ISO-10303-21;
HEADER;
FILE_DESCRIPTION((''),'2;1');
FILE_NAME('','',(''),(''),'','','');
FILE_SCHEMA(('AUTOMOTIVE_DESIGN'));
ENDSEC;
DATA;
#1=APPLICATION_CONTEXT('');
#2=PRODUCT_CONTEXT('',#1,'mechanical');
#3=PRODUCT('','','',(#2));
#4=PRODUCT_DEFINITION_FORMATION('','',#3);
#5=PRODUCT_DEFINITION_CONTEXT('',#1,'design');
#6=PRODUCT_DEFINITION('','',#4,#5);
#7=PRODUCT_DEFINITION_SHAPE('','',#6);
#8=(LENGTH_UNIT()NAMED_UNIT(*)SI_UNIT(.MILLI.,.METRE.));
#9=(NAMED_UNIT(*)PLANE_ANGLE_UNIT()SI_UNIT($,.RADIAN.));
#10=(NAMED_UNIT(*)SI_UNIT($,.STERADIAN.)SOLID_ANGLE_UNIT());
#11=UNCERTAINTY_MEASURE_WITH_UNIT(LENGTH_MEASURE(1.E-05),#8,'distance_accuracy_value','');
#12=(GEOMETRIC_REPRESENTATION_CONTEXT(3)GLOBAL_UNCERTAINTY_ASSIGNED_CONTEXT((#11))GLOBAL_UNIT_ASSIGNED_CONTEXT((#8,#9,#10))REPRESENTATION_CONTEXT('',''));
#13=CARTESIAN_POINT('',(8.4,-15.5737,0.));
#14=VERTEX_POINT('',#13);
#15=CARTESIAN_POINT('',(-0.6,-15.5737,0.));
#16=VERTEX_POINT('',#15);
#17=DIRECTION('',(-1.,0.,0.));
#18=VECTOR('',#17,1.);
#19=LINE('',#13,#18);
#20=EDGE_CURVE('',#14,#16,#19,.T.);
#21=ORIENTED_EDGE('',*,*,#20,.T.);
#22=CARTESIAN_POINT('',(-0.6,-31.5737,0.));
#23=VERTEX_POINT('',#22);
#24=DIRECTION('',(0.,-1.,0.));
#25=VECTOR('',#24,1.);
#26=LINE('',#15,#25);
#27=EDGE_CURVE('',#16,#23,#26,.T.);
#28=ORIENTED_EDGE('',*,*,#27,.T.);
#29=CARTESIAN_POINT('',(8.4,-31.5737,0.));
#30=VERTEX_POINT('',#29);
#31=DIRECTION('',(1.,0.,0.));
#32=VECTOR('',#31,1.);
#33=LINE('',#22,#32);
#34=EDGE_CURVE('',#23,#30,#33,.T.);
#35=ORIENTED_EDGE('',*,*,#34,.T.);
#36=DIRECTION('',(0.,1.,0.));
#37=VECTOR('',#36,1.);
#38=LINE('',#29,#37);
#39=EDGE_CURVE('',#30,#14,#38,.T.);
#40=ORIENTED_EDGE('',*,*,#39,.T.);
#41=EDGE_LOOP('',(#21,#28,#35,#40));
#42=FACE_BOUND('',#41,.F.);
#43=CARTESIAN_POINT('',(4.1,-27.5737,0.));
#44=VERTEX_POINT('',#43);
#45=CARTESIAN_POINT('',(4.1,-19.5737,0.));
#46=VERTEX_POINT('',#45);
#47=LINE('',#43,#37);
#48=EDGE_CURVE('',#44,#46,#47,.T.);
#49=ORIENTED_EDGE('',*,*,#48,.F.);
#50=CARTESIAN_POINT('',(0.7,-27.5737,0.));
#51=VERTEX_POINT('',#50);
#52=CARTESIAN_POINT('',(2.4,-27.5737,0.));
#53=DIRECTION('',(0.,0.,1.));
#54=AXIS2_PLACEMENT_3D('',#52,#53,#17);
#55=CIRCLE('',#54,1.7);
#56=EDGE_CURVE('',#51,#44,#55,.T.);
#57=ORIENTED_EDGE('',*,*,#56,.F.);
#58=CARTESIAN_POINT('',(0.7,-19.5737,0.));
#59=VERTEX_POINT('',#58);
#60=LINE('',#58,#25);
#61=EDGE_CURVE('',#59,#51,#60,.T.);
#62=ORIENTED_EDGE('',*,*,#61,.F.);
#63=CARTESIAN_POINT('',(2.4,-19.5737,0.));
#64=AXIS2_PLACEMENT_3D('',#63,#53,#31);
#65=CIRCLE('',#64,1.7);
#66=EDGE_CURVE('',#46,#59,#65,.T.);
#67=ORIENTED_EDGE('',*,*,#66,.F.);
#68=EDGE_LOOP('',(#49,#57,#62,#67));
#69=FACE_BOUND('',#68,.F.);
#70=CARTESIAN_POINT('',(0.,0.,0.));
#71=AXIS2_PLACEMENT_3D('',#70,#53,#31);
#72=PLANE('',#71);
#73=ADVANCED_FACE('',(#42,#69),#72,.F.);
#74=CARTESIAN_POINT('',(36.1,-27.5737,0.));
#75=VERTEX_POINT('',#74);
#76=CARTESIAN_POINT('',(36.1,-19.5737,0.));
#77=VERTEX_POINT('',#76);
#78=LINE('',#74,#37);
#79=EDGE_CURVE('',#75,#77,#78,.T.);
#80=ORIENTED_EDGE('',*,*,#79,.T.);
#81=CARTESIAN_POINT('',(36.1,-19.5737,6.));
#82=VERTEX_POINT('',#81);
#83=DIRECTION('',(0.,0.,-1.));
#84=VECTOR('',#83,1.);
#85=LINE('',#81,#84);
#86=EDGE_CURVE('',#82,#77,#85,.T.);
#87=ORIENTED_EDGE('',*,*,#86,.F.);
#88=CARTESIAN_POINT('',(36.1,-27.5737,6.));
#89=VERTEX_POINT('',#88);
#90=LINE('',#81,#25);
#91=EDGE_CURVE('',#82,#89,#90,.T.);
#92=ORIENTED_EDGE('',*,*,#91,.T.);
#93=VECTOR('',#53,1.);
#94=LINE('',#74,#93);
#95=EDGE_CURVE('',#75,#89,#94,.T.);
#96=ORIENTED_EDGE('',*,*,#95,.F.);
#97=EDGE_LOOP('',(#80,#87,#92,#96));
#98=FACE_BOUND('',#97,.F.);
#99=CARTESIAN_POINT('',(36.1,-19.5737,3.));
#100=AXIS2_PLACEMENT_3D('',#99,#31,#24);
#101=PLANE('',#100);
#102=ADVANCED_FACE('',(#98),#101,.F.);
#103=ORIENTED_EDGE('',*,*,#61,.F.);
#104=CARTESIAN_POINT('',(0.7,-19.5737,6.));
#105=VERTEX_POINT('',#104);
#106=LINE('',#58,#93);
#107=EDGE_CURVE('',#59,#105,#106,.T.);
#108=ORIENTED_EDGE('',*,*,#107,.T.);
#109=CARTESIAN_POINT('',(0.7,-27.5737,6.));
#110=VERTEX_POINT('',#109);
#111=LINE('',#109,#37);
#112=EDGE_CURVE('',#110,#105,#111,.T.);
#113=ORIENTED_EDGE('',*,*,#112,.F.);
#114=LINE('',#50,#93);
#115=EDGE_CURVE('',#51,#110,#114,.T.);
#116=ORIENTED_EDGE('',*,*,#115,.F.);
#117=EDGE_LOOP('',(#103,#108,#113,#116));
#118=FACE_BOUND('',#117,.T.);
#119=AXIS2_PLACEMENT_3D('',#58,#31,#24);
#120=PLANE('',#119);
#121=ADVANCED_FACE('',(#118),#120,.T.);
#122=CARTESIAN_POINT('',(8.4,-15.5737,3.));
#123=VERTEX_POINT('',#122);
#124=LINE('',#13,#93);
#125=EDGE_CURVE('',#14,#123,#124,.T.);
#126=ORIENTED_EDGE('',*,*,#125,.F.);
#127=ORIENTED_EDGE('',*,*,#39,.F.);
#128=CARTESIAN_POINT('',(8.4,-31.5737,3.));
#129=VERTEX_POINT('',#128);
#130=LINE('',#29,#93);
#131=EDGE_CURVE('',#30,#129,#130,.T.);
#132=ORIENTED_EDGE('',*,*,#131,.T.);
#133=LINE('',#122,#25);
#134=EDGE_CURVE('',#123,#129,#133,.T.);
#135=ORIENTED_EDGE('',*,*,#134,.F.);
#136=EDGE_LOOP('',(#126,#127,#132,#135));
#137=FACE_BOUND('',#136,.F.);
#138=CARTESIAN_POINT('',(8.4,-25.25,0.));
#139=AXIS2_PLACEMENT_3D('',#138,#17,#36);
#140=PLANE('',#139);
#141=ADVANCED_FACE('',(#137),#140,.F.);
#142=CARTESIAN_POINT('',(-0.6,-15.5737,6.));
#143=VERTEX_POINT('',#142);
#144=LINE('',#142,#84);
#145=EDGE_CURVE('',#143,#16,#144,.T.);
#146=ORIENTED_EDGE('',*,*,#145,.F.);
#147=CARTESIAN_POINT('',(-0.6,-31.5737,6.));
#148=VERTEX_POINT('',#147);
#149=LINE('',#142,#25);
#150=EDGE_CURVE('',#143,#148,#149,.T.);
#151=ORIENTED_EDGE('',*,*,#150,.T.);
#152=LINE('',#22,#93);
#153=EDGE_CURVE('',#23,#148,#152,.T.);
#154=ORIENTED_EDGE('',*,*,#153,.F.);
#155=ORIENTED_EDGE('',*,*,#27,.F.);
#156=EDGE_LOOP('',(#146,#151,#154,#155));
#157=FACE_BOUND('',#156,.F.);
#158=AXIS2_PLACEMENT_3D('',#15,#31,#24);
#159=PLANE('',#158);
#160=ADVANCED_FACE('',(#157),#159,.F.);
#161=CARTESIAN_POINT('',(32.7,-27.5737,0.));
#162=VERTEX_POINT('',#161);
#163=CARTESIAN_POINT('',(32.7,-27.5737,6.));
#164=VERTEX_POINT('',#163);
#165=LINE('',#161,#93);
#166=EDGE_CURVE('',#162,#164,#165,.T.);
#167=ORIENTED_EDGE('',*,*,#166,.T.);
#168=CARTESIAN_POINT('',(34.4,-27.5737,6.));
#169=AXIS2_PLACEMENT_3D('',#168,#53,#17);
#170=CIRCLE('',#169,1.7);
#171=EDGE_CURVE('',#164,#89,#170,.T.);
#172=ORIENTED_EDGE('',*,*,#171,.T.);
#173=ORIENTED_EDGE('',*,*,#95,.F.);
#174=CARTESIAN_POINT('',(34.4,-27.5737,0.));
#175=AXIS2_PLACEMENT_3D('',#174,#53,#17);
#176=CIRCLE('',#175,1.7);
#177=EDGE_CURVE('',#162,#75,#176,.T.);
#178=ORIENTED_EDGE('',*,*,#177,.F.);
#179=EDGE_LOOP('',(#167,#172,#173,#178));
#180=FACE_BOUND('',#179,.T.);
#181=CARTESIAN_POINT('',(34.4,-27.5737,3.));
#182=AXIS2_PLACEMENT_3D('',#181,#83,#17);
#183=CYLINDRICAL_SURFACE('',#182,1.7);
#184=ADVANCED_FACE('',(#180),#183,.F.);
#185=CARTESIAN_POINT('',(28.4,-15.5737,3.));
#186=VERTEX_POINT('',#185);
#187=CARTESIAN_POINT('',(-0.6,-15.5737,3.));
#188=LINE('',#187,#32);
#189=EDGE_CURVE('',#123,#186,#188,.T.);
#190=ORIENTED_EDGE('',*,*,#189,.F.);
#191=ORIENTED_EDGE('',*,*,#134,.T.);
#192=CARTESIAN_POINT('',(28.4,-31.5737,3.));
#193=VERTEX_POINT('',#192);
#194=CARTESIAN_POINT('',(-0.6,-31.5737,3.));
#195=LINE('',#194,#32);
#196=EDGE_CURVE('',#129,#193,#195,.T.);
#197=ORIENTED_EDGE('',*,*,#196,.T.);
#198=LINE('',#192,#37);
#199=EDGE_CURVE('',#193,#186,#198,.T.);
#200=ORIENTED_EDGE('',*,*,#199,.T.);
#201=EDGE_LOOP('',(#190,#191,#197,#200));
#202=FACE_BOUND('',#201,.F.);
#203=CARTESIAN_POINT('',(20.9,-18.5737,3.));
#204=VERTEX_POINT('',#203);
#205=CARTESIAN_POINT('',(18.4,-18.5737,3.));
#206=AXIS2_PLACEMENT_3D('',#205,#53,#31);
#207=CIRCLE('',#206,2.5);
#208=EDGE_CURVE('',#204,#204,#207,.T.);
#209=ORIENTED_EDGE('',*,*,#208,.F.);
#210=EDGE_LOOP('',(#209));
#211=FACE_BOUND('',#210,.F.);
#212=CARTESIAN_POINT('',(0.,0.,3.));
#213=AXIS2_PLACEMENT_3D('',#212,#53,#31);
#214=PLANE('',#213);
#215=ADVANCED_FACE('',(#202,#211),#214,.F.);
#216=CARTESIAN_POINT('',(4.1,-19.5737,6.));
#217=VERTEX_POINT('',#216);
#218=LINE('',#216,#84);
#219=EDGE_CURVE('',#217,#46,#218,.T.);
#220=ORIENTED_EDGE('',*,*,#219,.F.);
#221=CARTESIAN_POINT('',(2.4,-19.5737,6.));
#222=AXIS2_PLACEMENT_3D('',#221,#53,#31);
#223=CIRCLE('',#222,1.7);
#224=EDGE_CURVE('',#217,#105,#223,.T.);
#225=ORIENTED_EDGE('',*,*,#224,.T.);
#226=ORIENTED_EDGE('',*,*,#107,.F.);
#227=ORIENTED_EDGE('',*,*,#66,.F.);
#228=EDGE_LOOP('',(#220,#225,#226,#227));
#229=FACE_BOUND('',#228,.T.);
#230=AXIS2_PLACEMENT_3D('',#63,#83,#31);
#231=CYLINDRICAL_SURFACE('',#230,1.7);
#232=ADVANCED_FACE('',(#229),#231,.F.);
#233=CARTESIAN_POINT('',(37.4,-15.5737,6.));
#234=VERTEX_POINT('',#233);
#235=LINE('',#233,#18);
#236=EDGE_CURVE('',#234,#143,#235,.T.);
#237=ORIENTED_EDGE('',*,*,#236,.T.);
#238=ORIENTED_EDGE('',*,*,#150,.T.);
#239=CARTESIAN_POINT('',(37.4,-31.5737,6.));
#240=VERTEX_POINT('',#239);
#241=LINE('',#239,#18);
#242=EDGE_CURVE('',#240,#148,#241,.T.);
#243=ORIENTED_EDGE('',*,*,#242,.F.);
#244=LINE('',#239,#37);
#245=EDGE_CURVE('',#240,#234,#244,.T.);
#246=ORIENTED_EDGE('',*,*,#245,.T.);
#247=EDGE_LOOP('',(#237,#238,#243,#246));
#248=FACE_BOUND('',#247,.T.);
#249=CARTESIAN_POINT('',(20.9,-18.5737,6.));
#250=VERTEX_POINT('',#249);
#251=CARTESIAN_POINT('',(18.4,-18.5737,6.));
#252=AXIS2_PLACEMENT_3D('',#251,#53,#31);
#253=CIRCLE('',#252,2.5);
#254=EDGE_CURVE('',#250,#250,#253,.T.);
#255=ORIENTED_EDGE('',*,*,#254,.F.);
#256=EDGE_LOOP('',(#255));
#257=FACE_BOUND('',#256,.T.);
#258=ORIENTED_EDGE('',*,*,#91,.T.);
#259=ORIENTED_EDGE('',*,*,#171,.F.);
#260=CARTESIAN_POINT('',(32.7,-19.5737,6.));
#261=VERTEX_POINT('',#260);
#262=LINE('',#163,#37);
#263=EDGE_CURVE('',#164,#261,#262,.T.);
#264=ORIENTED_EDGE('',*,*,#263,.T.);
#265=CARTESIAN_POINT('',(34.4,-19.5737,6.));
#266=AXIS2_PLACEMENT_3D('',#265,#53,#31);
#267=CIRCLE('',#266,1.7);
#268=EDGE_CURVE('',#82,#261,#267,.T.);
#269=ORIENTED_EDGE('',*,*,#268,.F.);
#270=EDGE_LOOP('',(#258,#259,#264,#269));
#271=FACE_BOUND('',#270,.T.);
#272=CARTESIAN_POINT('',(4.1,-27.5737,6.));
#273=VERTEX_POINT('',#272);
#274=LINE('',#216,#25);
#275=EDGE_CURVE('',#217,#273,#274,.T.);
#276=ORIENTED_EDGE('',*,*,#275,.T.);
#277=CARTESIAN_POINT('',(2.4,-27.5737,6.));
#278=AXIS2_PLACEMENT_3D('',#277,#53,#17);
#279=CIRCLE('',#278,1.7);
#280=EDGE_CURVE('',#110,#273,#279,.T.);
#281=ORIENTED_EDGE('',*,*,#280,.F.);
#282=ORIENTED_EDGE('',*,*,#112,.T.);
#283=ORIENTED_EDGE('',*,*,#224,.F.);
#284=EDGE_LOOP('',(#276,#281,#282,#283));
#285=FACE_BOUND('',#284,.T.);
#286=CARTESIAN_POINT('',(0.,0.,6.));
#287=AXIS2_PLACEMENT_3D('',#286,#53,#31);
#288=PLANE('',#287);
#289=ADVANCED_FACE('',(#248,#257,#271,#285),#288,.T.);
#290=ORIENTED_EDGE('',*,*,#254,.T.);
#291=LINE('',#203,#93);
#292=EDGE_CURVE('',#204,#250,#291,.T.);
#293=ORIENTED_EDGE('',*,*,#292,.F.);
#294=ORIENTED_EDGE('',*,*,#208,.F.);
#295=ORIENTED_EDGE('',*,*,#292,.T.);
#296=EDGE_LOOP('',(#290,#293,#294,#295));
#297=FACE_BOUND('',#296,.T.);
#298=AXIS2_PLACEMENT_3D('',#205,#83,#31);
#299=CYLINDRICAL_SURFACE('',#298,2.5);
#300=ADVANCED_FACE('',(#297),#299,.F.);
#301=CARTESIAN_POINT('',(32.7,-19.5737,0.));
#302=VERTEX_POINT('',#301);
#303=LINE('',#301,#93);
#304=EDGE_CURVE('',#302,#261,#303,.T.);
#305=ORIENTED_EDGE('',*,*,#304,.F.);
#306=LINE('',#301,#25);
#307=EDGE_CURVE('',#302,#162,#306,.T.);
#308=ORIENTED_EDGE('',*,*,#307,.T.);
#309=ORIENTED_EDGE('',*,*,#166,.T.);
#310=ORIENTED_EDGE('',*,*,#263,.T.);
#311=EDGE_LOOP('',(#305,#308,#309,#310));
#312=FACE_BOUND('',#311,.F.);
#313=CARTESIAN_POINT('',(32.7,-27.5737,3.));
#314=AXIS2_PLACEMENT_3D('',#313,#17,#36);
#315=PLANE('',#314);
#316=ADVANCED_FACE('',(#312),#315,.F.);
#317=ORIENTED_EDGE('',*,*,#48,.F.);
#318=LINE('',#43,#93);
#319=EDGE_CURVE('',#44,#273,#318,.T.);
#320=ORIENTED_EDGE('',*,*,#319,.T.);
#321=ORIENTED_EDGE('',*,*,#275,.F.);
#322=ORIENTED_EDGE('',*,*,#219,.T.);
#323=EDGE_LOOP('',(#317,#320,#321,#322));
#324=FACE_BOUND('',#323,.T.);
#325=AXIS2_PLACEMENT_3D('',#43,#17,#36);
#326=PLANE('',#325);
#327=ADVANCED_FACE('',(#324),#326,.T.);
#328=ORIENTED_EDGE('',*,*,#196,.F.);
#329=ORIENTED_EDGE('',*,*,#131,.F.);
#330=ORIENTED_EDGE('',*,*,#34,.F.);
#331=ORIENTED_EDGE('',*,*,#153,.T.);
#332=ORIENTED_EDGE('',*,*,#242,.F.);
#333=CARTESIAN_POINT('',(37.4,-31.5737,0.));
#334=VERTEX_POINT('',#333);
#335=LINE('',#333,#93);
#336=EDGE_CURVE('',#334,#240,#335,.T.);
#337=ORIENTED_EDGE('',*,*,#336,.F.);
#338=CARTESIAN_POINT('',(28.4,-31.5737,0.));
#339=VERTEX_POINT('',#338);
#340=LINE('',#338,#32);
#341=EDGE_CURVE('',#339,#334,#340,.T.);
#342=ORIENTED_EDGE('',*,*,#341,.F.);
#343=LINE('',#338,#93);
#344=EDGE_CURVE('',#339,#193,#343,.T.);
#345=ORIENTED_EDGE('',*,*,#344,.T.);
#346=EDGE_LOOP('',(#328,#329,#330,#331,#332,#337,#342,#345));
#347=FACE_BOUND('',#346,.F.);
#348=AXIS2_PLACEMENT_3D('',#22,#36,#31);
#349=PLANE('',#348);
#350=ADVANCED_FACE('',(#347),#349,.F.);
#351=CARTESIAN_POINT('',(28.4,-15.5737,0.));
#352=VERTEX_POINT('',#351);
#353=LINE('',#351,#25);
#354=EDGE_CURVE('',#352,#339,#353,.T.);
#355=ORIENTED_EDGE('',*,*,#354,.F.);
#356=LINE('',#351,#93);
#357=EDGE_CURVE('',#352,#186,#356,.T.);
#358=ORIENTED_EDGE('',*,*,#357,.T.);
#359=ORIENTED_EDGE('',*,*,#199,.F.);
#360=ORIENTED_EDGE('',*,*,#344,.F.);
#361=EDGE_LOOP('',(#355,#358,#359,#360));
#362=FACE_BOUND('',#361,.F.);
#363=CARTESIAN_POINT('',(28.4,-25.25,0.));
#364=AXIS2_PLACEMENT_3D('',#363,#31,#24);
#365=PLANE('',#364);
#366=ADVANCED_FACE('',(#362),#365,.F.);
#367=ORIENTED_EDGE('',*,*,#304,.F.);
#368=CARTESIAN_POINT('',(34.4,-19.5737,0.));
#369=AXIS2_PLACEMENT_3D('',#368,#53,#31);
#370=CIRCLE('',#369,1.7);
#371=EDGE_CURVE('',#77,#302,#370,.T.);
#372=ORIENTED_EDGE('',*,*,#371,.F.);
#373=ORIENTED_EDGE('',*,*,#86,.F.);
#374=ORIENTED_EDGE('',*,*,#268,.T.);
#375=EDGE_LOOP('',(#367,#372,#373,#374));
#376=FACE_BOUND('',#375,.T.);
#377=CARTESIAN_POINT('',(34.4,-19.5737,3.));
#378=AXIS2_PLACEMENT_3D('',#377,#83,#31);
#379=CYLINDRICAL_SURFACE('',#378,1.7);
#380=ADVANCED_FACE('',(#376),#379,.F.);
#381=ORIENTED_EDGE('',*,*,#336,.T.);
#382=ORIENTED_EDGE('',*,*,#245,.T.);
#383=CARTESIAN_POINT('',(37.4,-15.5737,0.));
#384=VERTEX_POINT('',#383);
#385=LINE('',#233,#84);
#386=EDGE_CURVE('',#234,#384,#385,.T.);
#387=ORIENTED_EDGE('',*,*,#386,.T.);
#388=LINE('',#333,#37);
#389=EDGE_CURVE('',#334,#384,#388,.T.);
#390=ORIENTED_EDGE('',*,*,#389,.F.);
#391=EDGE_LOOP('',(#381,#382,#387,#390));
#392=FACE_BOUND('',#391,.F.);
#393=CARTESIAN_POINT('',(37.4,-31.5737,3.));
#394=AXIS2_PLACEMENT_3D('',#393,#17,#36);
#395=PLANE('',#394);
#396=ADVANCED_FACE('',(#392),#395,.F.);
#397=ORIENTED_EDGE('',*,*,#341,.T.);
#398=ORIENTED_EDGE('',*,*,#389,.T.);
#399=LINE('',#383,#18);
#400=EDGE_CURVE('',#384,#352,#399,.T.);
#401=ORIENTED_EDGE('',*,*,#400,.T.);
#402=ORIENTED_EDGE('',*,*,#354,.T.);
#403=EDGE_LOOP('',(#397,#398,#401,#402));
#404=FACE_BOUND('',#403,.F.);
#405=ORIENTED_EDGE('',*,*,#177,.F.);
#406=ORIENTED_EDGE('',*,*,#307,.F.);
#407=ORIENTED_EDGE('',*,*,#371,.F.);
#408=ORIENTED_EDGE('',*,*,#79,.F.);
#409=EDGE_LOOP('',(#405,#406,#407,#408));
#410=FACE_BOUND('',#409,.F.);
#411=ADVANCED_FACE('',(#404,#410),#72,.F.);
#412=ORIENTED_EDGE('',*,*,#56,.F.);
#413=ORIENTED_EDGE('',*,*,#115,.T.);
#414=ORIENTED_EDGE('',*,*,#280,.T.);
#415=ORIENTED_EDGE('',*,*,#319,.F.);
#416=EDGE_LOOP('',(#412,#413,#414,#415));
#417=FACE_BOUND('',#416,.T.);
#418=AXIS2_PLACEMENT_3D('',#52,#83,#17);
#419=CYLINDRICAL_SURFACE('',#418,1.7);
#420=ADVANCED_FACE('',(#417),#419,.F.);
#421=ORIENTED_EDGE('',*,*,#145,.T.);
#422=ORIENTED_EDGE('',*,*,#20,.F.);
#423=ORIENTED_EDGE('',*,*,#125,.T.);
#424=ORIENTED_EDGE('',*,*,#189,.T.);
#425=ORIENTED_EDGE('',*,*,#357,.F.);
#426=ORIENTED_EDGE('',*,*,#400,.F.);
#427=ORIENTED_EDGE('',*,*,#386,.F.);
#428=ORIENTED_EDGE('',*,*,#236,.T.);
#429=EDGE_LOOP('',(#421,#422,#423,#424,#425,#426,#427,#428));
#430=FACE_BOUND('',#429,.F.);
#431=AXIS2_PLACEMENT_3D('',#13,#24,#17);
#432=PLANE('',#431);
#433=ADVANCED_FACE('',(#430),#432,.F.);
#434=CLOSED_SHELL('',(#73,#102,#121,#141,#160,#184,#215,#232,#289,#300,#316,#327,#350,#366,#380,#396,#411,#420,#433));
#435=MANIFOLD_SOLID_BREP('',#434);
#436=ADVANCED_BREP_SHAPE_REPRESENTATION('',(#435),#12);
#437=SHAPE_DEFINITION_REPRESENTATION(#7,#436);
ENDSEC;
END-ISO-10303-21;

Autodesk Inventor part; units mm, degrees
ref_plane "YZ Plane" through (0, 0, 0) normal (1, 0, 0) x (0, 1, 0)
ref_plane "XZ Plane" through (0, 0, 0) normal (0, 1, 0) x (-1, 0, 0)
ref_plane "XY Plane" through (0, 0, 0) normal (0, 0, 1) x (1, 0, 0)
ref_plane "Work Plane1" through (0, 0, 0) normal (0, 0, 1) x (1, 0, 0)
sketch "Sketch1" plane through (0, 0, 0) normal (0, 0, 1) x (1, 0, 0)
  circle A0 centre (2.4, -23.5737) radius 1.4 projected
  circle A1 centre (34.4, -23.5737) radius 1.4 projected
  line L0 (2.4, -27.5737) -> (2.4, -19.5737) construction
  line L1 (4.1, -27.5737) -> (4.1, -19.5737)
  line L2 (0.7, -19.5737) -> (0.7, -27.5737)
  arc A2 (0.7, -27.5737) -> (4.1, -27.5737) centre (2.4, -27.5737) ccw
  arc A3 (4.1, -19.5737) -> (0.7, -19.5737) centre (2.4, -19.5737) ccw
  line L3 (34.4, -19.5737) -> (34.4, -27.5737) construction
  line L4 (32.7, -19.5737) -> (32.7, -27.5737)
  line L5 (36.1, -27.5737) -> (36.1, -19.5737)
  arc A4 (36.1, -19.5737) -> (32.7, -19.5737) centre (34.4, -19.5737) ccw
  arc A5 (32.7, -27.5737) -> (36.1, -27.5737) centre (34.4, -27.5737) ccw
  line L6 (-0.6, -31.5737) -> (8.4, -31.5737)
  line L7 (8.4, -31.5737) -> (8.4, -15.5737)
  line L8 (8.4, -15.5737) -> (-0.6, -15.5737)
  line L9 (-0.6, -15.5737) -> (-0.6, -31.5737)
  line L10 (37.4, -15.5737) -> (28.4, -15.5737)
  line L11 (28.4, -15.5737) -> (28.4, -31.5737)
  line L12 (28.4, -31.5737) -> (37.4, -31.5737)
  line L13 (37.4, -31.5737) -> (37.4, -15.5737)
  line L14 (8.4, -7.25) -> (8.4, -25.25)
  line L15 (28.4, -7.25) -> (28.4, -25.25)
  point P0 (0, 0)
  dimension "d0" = 4
  dimension "d1" = 3.4
  dimension "d2" = 3.4
  dimension "d3" = 0
  dimension "d4" = 9
  dimension "d5" = 9
  dimension "d6" = 0
  dimension "d7" = 0
  dimension "d8" = 4
  dimension "d9" = 4
extrude "Extrusion1" add sketch "Sketch1" along normal blind 3 contours L9 L8 L7 L6 | L13 L12 L11 L10
sketch "Sketch2" plane through (0, 0, 3) normal (0, 0, 1) x (1, 0, 0)
  line L0 (8.4, -31.5737) -> (8.4, -15.5737) projected
  line L1 (8.4, -15.5737) -> (-0.6, -15.5737) projected
  line L2 (-0.6, -15.5737) -> (-0.6, -31.5737) projected
  line L3 (-0.6, -31.5737) -> (8.4, -31.5737) projected
  arc A0 (0.7, -27.5737) -> (4.1, -27.5737) centre (2.4, -27.5737) ccw projected
  line L4 (0.7, -27.5737) -> (0.7, -19.5737) projected
  arc A1 (4.1, -19.5737) -> (0.7, -19.5737) centre (2.4, -19.5737) ccw projected
  line L5 (4.1, -19.5737) -> (4.1, -27.5737) projected
  line L6 (37.4, -15.5737) -> (28.4, -15.5737) projected
  line L7 (28.4, -15.5737) -> (28.4, -31.5737) projected
  line L8 (28.4, -31.5737) -> (37.4, -31.5737) projected
  line L9 (37.4, -31.5737) -> (37.4, -15.5737) projected
  arc A2 (36.1, -19.5737) -> (32.7, -19.5737) centre (34.4, -19.5737) ccw projected
  line L10 (36.1, -19.5737) -> (36.1, -27.5737) projected
  arc A3 (32.7, -27.5737) -> (36.1, -27.5737) centre (34.4, -27.5737) ccw projected
  line L11 (32.7, -27.5737) -> (32.7, -19.5737) projected
  line L12 (12.4, 1.5154) -> (12.4, -15.3846)
  line L13 (24.4, 1.5154) -> (24.4, -15.3846)
  circle A4 centre (18.4, -18.5737) radius 2.5
  line L14 (8.4, -15.5737) -> (28.4, -15.5737)
  line L15 (28.4, -31.5737) -> (8.4, -31.5737)
  point P0 (0, 0)
  dimension "d12" = 5
  dimension "d13" = 6
  dimension "d14" = 3
extrude "Extrusion2" add sketch "Sketch2" along normal blind 3
properties part number "10_LED_cylnderlensmount"
